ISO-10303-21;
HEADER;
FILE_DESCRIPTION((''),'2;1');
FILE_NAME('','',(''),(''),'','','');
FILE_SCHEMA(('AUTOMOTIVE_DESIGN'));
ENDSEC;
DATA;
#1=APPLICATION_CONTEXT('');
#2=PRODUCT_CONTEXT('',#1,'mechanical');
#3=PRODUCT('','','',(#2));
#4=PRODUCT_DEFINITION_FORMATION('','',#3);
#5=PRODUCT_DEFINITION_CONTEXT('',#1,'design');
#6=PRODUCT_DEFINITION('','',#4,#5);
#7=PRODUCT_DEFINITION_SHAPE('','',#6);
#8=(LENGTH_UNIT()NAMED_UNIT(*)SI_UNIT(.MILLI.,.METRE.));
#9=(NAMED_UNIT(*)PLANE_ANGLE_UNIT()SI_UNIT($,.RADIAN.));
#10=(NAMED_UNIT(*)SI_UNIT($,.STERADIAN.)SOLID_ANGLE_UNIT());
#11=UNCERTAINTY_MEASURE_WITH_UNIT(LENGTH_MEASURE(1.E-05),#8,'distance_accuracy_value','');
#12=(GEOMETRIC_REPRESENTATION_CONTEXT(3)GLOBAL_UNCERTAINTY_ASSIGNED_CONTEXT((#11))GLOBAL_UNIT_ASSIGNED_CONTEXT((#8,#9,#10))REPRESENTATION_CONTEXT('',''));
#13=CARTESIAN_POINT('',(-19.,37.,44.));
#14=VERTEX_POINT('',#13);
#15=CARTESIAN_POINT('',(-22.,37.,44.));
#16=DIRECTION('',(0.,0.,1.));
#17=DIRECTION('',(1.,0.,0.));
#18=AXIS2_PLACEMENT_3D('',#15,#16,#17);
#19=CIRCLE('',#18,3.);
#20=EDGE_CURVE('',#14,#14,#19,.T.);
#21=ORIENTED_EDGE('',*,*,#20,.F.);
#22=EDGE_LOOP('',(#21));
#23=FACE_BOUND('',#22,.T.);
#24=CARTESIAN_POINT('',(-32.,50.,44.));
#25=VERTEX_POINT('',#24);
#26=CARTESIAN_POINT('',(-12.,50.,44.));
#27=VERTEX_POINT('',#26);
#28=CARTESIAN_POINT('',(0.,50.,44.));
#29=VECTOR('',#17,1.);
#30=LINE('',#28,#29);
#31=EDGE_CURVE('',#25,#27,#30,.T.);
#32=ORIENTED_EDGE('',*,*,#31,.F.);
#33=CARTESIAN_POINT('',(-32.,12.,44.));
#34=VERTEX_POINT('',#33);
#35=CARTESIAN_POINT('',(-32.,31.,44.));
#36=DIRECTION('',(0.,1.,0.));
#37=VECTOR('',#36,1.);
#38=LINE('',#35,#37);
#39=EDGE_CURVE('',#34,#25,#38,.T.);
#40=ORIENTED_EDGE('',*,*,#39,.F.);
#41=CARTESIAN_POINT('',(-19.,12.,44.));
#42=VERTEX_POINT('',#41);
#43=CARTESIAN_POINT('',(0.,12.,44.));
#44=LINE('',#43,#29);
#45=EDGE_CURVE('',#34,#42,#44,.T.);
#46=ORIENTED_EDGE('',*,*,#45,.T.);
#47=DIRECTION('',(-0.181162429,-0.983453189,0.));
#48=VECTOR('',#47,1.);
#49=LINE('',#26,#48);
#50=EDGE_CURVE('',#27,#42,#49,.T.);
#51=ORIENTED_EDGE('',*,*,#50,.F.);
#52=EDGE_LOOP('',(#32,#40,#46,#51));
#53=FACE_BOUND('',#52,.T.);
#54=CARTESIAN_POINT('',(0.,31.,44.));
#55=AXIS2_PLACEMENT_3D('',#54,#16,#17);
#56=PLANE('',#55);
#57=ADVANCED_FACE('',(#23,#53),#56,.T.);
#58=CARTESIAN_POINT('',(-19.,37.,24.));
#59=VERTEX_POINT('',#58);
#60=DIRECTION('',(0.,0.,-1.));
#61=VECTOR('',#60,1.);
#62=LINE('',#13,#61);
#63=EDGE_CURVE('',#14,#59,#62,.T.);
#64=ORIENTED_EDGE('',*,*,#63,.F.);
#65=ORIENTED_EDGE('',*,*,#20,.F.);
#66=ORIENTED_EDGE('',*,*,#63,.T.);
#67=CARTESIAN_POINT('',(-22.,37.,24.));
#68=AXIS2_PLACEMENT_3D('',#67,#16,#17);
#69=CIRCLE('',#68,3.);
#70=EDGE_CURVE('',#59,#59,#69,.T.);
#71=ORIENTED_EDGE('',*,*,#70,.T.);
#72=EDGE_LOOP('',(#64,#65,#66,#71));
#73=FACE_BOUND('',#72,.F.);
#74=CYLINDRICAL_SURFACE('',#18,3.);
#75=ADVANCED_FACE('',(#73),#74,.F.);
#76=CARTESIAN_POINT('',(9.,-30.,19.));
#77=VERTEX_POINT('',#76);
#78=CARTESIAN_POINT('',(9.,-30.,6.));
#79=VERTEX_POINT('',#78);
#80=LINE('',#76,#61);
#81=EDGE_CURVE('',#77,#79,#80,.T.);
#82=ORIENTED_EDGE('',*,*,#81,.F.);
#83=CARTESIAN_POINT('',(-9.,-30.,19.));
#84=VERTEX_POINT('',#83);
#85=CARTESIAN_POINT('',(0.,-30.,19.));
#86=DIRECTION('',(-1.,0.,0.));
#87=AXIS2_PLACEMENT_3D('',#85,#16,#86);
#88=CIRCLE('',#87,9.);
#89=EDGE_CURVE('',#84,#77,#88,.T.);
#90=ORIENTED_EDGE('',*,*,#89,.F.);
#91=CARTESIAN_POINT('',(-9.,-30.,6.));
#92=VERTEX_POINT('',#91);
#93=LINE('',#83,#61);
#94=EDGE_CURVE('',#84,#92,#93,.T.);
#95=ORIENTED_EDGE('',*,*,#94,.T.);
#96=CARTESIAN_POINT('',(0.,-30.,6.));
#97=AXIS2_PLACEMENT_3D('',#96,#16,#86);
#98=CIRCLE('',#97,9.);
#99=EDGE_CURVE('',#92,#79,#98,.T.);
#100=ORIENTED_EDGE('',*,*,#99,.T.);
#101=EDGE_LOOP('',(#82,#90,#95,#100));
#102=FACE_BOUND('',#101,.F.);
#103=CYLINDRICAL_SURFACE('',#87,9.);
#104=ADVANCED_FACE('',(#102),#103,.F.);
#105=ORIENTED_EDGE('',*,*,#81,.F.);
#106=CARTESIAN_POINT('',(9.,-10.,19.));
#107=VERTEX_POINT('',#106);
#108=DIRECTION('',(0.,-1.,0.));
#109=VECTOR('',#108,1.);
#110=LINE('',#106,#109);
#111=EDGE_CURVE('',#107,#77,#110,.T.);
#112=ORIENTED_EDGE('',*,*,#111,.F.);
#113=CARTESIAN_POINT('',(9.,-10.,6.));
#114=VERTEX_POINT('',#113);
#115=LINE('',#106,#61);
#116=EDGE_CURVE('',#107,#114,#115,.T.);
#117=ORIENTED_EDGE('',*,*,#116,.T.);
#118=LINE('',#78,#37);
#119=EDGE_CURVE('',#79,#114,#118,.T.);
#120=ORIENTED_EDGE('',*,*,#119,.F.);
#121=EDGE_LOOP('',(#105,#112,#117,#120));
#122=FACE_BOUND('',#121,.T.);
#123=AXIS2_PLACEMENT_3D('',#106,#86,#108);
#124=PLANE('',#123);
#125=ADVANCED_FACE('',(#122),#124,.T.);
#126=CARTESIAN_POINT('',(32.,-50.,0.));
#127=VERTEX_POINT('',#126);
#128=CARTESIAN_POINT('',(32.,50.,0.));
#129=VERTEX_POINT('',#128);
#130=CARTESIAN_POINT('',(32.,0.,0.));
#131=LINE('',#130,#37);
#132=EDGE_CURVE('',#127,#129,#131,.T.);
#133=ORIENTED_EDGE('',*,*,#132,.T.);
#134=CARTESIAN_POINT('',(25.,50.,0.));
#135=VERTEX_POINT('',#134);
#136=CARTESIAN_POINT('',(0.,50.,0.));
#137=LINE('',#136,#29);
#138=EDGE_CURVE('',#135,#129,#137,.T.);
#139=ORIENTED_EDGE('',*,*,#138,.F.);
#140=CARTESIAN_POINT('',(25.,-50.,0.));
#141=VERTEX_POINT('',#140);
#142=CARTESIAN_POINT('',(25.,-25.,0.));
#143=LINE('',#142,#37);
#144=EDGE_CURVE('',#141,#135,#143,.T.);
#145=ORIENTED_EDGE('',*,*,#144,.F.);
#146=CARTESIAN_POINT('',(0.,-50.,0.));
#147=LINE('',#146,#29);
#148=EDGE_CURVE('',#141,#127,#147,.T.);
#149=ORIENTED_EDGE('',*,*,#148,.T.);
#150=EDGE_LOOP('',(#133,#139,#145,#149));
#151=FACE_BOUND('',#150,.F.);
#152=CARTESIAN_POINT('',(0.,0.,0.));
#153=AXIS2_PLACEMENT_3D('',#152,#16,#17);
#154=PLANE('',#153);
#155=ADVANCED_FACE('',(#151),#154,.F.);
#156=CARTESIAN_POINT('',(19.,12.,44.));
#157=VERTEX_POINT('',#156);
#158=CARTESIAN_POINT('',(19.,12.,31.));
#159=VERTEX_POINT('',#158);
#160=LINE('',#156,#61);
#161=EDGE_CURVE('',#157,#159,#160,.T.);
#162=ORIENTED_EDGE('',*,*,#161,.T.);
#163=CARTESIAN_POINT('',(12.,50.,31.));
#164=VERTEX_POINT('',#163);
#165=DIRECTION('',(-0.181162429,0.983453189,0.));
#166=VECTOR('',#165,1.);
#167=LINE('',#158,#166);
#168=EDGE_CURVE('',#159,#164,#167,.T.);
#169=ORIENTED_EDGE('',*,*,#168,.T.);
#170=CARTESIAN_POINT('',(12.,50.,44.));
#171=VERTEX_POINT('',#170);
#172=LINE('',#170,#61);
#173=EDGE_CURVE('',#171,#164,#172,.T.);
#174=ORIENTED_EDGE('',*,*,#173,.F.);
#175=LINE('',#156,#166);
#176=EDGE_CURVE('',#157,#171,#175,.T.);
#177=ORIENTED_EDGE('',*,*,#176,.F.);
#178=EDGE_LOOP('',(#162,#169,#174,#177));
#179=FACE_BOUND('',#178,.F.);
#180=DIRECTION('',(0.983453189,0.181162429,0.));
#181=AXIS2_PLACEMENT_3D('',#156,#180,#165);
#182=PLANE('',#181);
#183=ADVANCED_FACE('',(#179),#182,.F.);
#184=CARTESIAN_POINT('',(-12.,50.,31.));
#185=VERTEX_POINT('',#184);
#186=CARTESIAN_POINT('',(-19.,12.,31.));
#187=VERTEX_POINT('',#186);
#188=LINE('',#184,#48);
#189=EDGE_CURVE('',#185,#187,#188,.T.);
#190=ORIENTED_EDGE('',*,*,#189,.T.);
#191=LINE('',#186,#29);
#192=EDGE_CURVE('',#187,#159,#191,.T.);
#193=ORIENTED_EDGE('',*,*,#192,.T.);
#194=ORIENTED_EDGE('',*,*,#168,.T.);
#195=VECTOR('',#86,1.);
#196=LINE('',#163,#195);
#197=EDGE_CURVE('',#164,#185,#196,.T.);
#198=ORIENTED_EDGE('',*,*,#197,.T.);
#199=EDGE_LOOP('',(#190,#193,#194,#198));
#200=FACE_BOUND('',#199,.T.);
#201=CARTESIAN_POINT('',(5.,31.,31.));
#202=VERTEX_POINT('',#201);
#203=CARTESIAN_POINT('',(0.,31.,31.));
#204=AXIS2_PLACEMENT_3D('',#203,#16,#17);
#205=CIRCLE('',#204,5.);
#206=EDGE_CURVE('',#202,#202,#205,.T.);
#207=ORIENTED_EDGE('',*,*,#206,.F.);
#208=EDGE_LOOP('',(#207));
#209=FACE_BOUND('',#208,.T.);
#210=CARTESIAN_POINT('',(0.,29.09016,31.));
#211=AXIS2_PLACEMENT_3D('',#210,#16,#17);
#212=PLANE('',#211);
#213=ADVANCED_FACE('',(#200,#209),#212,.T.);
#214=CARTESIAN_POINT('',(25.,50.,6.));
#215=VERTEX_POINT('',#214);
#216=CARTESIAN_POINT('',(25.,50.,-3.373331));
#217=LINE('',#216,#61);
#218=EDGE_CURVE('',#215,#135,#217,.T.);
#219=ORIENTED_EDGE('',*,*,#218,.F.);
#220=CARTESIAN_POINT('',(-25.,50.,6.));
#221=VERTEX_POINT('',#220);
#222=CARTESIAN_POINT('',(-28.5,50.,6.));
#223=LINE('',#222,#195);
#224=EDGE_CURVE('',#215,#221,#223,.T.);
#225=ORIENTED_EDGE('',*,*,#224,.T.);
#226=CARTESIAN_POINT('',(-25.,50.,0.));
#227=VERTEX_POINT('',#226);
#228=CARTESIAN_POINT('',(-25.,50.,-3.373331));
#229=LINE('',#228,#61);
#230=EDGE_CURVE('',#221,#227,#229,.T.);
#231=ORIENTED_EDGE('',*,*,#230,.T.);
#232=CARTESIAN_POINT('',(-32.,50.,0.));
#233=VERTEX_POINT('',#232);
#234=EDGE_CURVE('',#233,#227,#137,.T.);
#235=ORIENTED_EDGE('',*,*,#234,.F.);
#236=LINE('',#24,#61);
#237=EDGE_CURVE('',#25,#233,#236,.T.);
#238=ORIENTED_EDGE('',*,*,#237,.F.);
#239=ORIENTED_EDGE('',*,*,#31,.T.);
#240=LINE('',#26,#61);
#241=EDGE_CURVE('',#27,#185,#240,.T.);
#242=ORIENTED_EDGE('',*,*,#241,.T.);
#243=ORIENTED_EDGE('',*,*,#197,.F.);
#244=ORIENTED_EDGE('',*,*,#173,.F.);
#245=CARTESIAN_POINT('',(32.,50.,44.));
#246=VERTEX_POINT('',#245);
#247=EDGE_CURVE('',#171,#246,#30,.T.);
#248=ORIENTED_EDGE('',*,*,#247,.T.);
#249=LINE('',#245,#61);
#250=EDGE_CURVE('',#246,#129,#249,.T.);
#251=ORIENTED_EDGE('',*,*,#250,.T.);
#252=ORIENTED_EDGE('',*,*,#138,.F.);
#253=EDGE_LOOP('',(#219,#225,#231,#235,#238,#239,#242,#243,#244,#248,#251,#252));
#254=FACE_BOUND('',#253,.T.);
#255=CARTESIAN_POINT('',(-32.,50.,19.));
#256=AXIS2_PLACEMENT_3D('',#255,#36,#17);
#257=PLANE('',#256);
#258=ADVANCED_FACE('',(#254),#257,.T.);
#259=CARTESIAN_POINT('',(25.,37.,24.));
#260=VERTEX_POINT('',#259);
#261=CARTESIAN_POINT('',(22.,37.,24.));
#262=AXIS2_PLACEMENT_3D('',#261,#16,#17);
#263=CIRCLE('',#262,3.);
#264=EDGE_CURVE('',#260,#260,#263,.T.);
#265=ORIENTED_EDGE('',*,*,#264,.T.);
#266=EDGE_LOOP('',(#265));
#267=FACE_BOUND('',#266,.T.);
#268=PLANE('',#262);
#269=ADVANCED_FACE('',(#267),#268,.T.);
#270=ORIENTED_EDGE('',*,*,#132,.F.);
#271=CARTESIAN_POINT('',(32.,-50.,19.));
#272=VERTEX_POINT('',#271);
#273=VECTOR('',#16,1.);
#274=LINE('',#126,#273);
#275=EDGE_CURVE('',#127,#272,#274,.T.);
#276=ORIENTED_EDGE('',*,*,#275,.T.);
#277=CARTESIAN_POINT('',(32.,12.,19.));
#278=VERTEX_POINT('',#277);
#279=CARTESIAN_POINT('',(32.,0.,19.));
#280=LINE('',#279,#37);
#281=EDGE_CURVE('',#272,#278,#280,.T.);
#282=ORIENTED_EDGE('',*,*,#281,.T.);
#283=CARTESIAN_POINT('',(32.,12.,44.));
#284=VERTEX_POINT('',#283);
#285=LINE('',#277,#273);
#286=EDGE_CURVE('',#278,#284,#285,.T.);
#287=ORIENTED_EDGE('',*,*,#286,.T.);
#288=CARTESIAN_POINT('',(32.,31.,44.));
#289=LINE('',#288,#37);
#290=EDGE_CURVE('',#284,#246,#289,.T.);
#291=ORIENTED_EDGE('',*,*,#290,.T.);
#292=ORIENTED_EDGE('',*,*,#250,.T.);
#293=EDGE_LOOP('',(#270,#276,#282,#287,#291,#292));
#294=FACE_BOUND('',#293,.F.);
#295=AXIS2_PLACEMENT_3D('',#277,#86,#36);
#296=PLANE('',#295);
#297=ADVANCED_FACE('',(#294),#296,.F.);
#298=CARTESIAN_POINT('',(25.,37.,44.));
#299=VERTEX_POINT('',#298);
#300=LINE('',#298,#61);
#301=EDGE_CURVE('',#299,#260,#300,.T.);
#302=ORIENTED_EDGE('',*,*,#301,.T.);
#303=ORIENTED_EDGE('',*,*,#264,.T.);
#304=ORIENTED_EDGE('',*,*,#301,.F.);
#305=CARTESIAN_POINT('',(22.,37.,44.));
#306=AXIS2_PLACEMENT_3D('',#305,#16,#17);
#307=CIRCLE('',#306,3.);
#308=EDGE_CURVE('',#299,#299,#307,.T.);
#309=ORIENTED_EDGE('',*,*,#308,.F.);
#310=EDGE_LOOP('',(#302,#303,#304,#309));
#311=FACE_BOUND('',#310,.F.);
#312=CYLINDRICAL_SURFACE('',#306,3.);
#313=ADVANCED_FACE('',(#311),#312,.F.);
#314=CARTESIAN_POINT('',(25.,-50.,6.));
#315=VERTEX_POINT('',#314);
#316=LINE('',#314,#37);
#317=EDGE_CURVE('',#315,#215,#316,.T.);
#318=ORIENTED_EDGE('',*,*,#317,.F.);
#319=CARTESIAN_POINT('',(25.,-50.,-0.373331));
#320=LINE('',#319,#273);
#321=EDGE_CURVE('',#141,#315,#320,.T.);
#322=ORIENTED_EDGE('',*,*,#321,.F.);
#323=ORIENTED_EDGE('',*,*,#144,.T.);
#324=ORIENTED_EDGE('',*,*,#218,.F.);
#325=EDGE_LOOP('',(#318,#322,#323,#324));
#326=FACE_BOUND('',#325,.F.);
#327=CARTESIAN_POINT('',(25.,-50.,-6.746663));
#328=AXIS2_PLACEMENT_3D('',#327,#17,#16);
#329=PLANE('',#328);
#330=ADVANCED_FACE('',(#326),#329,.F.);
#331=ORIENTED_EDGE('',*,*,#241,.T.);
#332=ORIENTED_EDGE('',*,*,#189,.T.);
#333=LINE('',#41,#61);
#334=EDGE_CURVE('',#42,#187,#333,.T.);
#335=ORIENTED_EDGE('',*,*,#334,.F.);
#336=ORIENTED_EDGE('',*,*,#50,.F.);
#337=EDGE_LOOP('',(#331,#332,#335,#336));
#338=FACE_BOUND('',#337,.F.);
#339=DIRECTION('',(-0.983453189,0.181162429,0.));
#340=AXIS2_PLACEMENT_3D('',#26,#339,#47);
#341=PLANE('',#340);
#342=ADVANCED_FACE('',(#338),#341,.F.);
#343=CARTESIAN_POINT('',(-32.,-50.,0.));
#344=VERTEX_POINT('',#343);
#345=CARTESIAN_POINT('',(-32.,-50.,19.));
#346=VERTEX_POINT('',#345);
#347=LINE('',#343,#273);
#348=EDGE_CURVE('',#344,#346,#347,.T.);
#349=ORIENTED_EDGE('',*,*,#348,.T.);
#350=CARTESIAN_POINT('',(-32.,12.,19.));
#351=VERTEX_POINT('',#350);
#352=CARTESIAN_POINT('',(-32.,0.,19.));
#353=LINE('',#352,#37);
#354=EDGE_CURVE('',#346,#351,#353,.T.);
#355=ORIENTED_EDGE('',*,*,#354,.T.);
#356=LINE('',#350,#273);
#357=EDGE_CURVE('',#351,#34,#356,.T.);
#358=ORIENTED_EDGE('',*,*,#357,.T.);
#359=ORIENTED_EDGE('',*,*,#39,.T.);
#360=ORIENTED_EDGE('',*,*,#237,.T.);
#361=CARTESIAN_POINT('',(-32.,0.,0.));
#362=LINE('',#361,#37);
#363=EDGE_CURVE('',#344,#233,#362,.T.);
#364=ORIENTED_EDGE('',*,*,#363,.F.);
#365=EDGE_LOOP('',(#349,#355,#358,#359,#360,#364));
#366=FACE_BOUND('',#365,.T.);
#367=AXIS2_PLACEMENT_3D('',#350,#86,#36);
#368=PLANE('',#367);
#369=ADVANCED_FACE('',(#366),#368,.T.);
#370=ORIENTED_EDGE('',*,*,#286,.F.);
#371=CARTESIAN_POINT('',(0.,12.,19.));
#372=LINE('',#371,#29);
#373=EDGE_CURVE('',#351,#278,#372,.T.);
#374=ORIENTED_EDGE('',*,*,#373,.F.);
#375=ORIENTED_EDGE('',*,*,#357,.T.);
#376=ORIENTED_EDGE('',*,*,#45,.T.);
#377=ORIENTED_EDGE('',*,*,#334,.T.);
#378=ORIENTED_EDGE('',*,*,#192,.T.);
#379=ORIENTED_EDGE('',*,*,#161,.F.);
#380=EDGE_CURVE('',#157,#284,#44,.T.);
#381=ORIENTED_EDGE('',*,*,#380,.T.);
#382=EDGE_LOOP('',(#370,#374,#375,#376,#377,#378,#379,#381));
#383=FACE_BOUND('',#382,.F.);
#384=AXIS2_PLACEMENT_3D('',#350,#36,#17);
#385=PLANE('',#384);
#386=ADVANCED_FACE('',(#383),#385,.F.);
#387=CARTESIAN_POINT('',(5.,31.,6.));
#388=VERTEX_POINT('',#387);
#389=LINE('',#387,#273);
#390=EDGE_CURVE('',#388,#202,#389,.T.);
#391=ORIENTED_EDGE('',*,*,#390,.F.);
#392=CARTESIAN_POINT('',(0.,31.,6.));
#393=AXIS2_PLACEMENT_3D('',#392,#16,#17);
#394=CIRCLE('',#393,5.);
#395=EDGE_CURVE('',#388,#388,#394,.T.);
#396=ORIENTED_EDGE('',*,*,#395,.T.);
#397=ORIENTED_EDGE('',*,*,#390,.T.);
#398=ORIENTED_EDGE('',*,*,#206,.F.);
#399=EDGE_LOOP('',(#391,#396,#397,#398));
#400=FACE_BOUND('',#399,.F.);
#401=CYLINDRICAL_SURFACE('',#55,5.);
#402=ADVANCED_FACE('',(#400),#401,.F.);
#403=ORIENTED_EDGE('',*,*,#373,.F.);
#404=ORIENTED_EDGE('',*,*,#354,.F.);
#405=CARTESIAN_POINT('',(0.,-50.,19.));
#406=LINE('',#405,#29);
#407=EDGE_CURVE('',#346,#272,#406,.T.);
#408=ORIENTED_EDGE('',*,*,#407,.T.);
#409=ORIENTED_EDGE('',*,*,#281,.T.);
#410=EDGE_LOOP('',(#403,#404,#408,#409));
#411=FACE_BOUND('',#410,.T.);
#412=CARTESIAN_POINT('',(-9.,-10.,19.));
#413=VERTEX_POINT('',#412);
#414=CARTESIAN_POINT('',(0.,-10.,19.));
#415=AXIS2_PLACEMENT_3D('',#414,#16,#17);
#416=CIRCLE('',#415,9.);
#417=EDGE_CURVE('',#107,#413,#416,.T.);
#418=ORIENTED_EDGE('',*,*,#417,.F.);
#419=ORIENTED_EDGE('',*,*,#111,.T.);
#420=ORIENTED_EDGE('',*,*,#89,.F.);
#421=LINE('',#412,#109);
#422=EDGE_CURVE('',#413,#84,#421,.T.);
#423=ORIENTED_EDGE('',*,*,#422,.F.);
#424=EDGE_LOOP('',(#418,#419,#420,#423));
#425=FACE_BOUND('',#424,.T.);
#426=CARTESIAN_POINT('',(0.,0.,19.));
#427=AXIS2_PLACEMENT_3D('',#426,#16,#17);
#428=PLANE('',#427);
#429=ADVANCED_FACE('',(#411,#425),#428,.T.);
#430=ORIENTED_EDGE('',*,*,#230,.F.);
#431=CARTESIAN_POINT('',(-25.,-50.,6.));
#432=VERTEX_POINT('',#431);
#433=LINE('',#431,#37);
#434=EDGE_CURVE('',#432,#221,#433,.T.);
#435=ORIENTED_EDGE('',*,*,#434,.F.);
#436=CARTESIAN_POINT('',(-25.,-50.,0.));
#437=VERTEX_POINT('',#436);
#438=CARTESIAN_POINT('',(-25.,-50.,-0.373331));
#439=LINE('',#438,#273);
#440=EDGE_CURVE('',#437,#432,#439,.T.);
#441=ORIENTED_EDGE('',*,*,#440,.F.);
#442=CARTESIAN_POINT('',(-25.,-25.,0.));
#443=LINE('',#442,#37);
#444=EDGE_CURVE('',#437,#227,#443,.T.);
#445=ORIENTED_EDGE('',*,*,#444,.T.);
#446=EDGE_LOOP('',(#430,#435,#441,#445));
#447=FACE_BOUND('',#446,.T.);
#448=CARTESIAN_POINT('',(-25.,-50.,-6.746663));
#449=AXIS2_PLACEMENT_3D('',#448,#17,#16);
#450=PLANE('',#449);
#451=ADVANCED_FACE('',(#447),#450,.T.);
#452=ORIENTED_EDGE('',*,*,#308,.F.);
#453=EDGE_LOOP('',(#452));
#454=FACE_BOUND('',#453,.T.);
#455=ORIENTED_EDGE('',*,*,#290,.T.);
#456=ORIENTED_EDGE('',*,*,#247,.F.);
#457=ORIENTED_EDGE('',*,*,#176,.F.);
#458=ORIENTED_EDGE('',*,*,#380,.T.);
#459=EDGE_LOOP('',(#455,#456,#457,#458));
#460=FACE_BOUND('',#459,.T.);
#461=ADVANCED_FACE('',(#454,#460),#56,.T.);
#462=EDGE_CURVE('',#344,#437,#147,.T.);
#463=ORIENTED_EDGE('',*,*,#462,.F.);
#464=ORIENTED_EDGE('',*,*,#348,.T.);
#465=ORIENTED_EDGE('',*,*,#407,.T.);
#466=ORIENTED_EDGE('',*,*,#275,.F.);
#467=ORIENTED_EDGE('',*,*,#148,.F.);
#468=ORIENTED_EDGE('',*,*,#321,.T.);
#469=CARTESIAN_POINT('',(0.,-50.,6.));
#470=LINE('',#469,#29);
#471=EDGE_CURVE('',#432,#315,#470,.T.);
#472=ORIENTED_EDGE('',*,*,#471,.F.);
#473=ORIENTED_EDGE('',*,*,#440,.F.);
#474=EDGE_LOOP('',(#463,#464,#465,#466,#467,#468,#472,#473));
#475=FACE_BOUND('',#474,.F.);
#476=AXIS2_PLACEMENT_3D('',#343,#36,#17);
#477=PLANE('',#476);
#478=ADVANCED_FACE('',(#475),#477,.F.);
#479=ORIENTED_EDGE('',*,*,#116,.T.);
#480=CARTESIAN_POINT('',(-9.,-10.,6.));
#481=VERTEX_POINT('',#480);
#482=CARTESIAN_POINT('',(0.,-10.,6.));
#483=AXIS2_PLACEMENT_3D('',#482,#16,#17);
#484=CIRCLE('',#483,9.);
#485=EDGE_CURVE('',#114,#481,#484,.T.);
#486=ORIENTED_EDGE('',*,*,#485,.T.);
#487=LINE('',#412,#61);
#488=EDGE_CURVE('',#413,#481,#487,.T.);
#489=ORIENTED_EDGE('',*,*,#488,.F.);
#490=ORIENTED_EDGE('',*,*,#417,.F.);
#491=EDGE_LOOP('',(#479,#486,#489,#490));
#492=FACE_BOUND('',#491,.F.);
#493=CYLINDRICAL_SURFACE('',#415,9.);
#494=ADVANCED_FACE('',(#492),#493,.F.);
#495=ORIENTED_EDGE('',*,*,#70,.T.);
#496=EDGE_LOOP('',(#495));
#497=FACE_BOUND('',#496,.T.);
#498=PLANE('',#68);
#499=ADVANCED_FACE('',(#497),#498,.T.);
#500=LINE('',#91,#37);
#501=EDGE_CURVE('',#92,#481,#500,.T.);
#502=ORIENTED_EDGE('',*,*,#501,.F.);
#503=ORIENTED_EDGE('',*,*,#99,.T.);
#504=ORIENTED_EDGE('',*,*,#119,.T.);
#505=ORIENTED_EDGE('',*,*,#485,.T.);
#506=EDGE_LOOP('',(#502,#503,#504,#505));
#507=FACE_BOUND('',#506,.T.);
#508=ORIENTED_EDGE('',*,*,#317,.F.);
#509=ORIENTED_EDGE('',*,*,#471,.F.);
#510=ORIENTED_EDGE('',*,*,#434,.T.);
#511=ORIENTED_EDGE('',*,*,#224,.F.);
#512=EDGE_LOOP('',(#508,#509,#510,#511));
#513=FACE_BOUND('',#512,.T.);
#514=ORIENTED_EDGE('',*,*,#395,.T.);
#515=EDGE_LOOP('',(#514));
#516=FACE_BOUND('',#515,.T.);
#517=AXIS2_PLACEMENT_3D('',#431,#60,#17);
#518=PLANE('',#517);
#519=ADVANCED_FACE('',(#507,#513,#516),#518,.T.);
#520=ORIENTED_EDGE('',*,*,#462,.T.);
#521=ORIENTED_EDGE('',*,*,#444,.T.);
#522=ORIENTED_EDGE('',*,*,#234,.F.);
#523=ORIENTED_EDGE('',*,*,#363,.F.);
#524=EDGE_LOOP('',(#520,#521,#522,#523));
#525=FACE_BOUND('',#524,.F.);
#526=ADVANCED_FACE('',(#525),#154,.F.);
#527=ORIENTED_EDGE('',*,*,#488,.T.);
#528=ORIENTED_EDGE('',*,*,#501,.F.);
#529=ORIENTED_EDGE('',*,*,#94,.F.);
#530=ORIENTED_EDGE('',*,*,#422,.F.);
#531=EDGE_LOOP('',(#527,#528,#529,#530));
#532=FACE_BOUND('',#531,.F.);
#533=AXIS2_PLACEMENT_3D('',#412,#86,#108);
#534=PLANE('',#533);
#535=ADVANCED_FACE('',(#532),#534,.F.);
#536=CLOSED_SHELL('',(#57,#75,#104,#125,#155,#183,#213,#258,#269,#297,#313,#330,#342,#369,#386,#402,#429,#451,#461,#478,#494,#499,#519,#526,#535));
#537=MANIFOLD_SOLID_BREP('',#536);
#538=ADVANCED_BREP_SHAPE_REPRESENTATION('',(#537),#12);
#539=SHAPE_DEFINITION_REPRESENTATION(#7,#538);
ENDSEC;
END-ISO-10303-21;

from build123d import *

# Parameters (mm, degrees)
SKETCH_W        = 64
SKETCH_H        = 100
PAD_DEPTH       = 19
SKETCH001_W     = 50
SKETCH001_H     = 12.746663
POCKET_DEPTH    = 100.001
SKETCH002_W     = 64
SKETCH002_H     = 38
PAD001_DEPTH    = 25
POCKET001_DEPTH = 13
SKETCH004_R     = 3
SKETCH004_R_2   = 5
POCKET002_DEPTH = 20
SKETCH005_R     = 5
POCKET003_DEPTH = 24.001
POCKET004_DEPTH = 19.001


with BuildPart() as part:
    # Sketch → Pad (new body)
    with BuildSketch(Plane.XY):
        Rectangle(SKETCH_W, SKETCH_H)
    extrude(amount=PAD_DEPTH)

    # Sketch001 → Pocket (cut, through all)
    with BuildSketch(Plane.XZ.offset(50)):
        with Locations((0, -0.373331)):
            Rectangle(SKETCH001_W, SKETCH001_H)
    extrude(amount=-POCKET_DEPTH, mode=Mode.SUBTRACT)

    # Sketch002 → Pad001 (new body)
    with BuildSketch(Plane.XY.offset(19)):
        with Locations((0, 31)):
            Rectangle(SKETCH002_W, SKETCH002_H)
    extrude(amount=PAD001_DEPTH)

    # Sketch003 → Pocket001 (cut)
    with BuildSketch(Plane.XY.offset(44)):
        Polygon((-12, 50), (-19, 12), (19, 12), (12, 50), align=None)
    extrude(amount=-POCKET001_DEPTH, mode=Mode.SUBTRACT)

    # Sketch004 → Pocket002 (cut)
    with BuildSketch(Plane.XY.offset(44)):
        with Locations((-22, 37)):
            Circle(SKETCH004_R)
        with Locations((22, 37)):
            Circle(SKETCH004_R)
        with Locations((0, 31)):
            Circle(SKETCH004_R_2)
    extrude(amount=-POCKET002_DEPTH, mode=Mode.SUBTRACT)

    # Sketch005 → Pocket003 (cut, through all)
    with BuildSketch(Plane.XY.offset(24)):
        with Locations((0, 31)):
            Circle(SKETCH005_R)
    extrude(amount=-POCKET003_DEPTH, mode=Mode.SUBTRACT)

    # Sketch006 → Pocket004 (cut, through all)
    with BuildSketch(Plane.XY.offset(19)):
        with BuildLine():
            ThreePointArc((9, -10), (0, -1), (-9, -10))
            Line((-9, -10), (-9, -30))
            ThreePointArc((-9, -30), (0, -39), (9, -30))
            Line((9, -10), (9, -30))
        make_face()
    extrude(amount=-POCKET004_DEPTH, mode=Mode.SUBTRACT)


solid = part.part
